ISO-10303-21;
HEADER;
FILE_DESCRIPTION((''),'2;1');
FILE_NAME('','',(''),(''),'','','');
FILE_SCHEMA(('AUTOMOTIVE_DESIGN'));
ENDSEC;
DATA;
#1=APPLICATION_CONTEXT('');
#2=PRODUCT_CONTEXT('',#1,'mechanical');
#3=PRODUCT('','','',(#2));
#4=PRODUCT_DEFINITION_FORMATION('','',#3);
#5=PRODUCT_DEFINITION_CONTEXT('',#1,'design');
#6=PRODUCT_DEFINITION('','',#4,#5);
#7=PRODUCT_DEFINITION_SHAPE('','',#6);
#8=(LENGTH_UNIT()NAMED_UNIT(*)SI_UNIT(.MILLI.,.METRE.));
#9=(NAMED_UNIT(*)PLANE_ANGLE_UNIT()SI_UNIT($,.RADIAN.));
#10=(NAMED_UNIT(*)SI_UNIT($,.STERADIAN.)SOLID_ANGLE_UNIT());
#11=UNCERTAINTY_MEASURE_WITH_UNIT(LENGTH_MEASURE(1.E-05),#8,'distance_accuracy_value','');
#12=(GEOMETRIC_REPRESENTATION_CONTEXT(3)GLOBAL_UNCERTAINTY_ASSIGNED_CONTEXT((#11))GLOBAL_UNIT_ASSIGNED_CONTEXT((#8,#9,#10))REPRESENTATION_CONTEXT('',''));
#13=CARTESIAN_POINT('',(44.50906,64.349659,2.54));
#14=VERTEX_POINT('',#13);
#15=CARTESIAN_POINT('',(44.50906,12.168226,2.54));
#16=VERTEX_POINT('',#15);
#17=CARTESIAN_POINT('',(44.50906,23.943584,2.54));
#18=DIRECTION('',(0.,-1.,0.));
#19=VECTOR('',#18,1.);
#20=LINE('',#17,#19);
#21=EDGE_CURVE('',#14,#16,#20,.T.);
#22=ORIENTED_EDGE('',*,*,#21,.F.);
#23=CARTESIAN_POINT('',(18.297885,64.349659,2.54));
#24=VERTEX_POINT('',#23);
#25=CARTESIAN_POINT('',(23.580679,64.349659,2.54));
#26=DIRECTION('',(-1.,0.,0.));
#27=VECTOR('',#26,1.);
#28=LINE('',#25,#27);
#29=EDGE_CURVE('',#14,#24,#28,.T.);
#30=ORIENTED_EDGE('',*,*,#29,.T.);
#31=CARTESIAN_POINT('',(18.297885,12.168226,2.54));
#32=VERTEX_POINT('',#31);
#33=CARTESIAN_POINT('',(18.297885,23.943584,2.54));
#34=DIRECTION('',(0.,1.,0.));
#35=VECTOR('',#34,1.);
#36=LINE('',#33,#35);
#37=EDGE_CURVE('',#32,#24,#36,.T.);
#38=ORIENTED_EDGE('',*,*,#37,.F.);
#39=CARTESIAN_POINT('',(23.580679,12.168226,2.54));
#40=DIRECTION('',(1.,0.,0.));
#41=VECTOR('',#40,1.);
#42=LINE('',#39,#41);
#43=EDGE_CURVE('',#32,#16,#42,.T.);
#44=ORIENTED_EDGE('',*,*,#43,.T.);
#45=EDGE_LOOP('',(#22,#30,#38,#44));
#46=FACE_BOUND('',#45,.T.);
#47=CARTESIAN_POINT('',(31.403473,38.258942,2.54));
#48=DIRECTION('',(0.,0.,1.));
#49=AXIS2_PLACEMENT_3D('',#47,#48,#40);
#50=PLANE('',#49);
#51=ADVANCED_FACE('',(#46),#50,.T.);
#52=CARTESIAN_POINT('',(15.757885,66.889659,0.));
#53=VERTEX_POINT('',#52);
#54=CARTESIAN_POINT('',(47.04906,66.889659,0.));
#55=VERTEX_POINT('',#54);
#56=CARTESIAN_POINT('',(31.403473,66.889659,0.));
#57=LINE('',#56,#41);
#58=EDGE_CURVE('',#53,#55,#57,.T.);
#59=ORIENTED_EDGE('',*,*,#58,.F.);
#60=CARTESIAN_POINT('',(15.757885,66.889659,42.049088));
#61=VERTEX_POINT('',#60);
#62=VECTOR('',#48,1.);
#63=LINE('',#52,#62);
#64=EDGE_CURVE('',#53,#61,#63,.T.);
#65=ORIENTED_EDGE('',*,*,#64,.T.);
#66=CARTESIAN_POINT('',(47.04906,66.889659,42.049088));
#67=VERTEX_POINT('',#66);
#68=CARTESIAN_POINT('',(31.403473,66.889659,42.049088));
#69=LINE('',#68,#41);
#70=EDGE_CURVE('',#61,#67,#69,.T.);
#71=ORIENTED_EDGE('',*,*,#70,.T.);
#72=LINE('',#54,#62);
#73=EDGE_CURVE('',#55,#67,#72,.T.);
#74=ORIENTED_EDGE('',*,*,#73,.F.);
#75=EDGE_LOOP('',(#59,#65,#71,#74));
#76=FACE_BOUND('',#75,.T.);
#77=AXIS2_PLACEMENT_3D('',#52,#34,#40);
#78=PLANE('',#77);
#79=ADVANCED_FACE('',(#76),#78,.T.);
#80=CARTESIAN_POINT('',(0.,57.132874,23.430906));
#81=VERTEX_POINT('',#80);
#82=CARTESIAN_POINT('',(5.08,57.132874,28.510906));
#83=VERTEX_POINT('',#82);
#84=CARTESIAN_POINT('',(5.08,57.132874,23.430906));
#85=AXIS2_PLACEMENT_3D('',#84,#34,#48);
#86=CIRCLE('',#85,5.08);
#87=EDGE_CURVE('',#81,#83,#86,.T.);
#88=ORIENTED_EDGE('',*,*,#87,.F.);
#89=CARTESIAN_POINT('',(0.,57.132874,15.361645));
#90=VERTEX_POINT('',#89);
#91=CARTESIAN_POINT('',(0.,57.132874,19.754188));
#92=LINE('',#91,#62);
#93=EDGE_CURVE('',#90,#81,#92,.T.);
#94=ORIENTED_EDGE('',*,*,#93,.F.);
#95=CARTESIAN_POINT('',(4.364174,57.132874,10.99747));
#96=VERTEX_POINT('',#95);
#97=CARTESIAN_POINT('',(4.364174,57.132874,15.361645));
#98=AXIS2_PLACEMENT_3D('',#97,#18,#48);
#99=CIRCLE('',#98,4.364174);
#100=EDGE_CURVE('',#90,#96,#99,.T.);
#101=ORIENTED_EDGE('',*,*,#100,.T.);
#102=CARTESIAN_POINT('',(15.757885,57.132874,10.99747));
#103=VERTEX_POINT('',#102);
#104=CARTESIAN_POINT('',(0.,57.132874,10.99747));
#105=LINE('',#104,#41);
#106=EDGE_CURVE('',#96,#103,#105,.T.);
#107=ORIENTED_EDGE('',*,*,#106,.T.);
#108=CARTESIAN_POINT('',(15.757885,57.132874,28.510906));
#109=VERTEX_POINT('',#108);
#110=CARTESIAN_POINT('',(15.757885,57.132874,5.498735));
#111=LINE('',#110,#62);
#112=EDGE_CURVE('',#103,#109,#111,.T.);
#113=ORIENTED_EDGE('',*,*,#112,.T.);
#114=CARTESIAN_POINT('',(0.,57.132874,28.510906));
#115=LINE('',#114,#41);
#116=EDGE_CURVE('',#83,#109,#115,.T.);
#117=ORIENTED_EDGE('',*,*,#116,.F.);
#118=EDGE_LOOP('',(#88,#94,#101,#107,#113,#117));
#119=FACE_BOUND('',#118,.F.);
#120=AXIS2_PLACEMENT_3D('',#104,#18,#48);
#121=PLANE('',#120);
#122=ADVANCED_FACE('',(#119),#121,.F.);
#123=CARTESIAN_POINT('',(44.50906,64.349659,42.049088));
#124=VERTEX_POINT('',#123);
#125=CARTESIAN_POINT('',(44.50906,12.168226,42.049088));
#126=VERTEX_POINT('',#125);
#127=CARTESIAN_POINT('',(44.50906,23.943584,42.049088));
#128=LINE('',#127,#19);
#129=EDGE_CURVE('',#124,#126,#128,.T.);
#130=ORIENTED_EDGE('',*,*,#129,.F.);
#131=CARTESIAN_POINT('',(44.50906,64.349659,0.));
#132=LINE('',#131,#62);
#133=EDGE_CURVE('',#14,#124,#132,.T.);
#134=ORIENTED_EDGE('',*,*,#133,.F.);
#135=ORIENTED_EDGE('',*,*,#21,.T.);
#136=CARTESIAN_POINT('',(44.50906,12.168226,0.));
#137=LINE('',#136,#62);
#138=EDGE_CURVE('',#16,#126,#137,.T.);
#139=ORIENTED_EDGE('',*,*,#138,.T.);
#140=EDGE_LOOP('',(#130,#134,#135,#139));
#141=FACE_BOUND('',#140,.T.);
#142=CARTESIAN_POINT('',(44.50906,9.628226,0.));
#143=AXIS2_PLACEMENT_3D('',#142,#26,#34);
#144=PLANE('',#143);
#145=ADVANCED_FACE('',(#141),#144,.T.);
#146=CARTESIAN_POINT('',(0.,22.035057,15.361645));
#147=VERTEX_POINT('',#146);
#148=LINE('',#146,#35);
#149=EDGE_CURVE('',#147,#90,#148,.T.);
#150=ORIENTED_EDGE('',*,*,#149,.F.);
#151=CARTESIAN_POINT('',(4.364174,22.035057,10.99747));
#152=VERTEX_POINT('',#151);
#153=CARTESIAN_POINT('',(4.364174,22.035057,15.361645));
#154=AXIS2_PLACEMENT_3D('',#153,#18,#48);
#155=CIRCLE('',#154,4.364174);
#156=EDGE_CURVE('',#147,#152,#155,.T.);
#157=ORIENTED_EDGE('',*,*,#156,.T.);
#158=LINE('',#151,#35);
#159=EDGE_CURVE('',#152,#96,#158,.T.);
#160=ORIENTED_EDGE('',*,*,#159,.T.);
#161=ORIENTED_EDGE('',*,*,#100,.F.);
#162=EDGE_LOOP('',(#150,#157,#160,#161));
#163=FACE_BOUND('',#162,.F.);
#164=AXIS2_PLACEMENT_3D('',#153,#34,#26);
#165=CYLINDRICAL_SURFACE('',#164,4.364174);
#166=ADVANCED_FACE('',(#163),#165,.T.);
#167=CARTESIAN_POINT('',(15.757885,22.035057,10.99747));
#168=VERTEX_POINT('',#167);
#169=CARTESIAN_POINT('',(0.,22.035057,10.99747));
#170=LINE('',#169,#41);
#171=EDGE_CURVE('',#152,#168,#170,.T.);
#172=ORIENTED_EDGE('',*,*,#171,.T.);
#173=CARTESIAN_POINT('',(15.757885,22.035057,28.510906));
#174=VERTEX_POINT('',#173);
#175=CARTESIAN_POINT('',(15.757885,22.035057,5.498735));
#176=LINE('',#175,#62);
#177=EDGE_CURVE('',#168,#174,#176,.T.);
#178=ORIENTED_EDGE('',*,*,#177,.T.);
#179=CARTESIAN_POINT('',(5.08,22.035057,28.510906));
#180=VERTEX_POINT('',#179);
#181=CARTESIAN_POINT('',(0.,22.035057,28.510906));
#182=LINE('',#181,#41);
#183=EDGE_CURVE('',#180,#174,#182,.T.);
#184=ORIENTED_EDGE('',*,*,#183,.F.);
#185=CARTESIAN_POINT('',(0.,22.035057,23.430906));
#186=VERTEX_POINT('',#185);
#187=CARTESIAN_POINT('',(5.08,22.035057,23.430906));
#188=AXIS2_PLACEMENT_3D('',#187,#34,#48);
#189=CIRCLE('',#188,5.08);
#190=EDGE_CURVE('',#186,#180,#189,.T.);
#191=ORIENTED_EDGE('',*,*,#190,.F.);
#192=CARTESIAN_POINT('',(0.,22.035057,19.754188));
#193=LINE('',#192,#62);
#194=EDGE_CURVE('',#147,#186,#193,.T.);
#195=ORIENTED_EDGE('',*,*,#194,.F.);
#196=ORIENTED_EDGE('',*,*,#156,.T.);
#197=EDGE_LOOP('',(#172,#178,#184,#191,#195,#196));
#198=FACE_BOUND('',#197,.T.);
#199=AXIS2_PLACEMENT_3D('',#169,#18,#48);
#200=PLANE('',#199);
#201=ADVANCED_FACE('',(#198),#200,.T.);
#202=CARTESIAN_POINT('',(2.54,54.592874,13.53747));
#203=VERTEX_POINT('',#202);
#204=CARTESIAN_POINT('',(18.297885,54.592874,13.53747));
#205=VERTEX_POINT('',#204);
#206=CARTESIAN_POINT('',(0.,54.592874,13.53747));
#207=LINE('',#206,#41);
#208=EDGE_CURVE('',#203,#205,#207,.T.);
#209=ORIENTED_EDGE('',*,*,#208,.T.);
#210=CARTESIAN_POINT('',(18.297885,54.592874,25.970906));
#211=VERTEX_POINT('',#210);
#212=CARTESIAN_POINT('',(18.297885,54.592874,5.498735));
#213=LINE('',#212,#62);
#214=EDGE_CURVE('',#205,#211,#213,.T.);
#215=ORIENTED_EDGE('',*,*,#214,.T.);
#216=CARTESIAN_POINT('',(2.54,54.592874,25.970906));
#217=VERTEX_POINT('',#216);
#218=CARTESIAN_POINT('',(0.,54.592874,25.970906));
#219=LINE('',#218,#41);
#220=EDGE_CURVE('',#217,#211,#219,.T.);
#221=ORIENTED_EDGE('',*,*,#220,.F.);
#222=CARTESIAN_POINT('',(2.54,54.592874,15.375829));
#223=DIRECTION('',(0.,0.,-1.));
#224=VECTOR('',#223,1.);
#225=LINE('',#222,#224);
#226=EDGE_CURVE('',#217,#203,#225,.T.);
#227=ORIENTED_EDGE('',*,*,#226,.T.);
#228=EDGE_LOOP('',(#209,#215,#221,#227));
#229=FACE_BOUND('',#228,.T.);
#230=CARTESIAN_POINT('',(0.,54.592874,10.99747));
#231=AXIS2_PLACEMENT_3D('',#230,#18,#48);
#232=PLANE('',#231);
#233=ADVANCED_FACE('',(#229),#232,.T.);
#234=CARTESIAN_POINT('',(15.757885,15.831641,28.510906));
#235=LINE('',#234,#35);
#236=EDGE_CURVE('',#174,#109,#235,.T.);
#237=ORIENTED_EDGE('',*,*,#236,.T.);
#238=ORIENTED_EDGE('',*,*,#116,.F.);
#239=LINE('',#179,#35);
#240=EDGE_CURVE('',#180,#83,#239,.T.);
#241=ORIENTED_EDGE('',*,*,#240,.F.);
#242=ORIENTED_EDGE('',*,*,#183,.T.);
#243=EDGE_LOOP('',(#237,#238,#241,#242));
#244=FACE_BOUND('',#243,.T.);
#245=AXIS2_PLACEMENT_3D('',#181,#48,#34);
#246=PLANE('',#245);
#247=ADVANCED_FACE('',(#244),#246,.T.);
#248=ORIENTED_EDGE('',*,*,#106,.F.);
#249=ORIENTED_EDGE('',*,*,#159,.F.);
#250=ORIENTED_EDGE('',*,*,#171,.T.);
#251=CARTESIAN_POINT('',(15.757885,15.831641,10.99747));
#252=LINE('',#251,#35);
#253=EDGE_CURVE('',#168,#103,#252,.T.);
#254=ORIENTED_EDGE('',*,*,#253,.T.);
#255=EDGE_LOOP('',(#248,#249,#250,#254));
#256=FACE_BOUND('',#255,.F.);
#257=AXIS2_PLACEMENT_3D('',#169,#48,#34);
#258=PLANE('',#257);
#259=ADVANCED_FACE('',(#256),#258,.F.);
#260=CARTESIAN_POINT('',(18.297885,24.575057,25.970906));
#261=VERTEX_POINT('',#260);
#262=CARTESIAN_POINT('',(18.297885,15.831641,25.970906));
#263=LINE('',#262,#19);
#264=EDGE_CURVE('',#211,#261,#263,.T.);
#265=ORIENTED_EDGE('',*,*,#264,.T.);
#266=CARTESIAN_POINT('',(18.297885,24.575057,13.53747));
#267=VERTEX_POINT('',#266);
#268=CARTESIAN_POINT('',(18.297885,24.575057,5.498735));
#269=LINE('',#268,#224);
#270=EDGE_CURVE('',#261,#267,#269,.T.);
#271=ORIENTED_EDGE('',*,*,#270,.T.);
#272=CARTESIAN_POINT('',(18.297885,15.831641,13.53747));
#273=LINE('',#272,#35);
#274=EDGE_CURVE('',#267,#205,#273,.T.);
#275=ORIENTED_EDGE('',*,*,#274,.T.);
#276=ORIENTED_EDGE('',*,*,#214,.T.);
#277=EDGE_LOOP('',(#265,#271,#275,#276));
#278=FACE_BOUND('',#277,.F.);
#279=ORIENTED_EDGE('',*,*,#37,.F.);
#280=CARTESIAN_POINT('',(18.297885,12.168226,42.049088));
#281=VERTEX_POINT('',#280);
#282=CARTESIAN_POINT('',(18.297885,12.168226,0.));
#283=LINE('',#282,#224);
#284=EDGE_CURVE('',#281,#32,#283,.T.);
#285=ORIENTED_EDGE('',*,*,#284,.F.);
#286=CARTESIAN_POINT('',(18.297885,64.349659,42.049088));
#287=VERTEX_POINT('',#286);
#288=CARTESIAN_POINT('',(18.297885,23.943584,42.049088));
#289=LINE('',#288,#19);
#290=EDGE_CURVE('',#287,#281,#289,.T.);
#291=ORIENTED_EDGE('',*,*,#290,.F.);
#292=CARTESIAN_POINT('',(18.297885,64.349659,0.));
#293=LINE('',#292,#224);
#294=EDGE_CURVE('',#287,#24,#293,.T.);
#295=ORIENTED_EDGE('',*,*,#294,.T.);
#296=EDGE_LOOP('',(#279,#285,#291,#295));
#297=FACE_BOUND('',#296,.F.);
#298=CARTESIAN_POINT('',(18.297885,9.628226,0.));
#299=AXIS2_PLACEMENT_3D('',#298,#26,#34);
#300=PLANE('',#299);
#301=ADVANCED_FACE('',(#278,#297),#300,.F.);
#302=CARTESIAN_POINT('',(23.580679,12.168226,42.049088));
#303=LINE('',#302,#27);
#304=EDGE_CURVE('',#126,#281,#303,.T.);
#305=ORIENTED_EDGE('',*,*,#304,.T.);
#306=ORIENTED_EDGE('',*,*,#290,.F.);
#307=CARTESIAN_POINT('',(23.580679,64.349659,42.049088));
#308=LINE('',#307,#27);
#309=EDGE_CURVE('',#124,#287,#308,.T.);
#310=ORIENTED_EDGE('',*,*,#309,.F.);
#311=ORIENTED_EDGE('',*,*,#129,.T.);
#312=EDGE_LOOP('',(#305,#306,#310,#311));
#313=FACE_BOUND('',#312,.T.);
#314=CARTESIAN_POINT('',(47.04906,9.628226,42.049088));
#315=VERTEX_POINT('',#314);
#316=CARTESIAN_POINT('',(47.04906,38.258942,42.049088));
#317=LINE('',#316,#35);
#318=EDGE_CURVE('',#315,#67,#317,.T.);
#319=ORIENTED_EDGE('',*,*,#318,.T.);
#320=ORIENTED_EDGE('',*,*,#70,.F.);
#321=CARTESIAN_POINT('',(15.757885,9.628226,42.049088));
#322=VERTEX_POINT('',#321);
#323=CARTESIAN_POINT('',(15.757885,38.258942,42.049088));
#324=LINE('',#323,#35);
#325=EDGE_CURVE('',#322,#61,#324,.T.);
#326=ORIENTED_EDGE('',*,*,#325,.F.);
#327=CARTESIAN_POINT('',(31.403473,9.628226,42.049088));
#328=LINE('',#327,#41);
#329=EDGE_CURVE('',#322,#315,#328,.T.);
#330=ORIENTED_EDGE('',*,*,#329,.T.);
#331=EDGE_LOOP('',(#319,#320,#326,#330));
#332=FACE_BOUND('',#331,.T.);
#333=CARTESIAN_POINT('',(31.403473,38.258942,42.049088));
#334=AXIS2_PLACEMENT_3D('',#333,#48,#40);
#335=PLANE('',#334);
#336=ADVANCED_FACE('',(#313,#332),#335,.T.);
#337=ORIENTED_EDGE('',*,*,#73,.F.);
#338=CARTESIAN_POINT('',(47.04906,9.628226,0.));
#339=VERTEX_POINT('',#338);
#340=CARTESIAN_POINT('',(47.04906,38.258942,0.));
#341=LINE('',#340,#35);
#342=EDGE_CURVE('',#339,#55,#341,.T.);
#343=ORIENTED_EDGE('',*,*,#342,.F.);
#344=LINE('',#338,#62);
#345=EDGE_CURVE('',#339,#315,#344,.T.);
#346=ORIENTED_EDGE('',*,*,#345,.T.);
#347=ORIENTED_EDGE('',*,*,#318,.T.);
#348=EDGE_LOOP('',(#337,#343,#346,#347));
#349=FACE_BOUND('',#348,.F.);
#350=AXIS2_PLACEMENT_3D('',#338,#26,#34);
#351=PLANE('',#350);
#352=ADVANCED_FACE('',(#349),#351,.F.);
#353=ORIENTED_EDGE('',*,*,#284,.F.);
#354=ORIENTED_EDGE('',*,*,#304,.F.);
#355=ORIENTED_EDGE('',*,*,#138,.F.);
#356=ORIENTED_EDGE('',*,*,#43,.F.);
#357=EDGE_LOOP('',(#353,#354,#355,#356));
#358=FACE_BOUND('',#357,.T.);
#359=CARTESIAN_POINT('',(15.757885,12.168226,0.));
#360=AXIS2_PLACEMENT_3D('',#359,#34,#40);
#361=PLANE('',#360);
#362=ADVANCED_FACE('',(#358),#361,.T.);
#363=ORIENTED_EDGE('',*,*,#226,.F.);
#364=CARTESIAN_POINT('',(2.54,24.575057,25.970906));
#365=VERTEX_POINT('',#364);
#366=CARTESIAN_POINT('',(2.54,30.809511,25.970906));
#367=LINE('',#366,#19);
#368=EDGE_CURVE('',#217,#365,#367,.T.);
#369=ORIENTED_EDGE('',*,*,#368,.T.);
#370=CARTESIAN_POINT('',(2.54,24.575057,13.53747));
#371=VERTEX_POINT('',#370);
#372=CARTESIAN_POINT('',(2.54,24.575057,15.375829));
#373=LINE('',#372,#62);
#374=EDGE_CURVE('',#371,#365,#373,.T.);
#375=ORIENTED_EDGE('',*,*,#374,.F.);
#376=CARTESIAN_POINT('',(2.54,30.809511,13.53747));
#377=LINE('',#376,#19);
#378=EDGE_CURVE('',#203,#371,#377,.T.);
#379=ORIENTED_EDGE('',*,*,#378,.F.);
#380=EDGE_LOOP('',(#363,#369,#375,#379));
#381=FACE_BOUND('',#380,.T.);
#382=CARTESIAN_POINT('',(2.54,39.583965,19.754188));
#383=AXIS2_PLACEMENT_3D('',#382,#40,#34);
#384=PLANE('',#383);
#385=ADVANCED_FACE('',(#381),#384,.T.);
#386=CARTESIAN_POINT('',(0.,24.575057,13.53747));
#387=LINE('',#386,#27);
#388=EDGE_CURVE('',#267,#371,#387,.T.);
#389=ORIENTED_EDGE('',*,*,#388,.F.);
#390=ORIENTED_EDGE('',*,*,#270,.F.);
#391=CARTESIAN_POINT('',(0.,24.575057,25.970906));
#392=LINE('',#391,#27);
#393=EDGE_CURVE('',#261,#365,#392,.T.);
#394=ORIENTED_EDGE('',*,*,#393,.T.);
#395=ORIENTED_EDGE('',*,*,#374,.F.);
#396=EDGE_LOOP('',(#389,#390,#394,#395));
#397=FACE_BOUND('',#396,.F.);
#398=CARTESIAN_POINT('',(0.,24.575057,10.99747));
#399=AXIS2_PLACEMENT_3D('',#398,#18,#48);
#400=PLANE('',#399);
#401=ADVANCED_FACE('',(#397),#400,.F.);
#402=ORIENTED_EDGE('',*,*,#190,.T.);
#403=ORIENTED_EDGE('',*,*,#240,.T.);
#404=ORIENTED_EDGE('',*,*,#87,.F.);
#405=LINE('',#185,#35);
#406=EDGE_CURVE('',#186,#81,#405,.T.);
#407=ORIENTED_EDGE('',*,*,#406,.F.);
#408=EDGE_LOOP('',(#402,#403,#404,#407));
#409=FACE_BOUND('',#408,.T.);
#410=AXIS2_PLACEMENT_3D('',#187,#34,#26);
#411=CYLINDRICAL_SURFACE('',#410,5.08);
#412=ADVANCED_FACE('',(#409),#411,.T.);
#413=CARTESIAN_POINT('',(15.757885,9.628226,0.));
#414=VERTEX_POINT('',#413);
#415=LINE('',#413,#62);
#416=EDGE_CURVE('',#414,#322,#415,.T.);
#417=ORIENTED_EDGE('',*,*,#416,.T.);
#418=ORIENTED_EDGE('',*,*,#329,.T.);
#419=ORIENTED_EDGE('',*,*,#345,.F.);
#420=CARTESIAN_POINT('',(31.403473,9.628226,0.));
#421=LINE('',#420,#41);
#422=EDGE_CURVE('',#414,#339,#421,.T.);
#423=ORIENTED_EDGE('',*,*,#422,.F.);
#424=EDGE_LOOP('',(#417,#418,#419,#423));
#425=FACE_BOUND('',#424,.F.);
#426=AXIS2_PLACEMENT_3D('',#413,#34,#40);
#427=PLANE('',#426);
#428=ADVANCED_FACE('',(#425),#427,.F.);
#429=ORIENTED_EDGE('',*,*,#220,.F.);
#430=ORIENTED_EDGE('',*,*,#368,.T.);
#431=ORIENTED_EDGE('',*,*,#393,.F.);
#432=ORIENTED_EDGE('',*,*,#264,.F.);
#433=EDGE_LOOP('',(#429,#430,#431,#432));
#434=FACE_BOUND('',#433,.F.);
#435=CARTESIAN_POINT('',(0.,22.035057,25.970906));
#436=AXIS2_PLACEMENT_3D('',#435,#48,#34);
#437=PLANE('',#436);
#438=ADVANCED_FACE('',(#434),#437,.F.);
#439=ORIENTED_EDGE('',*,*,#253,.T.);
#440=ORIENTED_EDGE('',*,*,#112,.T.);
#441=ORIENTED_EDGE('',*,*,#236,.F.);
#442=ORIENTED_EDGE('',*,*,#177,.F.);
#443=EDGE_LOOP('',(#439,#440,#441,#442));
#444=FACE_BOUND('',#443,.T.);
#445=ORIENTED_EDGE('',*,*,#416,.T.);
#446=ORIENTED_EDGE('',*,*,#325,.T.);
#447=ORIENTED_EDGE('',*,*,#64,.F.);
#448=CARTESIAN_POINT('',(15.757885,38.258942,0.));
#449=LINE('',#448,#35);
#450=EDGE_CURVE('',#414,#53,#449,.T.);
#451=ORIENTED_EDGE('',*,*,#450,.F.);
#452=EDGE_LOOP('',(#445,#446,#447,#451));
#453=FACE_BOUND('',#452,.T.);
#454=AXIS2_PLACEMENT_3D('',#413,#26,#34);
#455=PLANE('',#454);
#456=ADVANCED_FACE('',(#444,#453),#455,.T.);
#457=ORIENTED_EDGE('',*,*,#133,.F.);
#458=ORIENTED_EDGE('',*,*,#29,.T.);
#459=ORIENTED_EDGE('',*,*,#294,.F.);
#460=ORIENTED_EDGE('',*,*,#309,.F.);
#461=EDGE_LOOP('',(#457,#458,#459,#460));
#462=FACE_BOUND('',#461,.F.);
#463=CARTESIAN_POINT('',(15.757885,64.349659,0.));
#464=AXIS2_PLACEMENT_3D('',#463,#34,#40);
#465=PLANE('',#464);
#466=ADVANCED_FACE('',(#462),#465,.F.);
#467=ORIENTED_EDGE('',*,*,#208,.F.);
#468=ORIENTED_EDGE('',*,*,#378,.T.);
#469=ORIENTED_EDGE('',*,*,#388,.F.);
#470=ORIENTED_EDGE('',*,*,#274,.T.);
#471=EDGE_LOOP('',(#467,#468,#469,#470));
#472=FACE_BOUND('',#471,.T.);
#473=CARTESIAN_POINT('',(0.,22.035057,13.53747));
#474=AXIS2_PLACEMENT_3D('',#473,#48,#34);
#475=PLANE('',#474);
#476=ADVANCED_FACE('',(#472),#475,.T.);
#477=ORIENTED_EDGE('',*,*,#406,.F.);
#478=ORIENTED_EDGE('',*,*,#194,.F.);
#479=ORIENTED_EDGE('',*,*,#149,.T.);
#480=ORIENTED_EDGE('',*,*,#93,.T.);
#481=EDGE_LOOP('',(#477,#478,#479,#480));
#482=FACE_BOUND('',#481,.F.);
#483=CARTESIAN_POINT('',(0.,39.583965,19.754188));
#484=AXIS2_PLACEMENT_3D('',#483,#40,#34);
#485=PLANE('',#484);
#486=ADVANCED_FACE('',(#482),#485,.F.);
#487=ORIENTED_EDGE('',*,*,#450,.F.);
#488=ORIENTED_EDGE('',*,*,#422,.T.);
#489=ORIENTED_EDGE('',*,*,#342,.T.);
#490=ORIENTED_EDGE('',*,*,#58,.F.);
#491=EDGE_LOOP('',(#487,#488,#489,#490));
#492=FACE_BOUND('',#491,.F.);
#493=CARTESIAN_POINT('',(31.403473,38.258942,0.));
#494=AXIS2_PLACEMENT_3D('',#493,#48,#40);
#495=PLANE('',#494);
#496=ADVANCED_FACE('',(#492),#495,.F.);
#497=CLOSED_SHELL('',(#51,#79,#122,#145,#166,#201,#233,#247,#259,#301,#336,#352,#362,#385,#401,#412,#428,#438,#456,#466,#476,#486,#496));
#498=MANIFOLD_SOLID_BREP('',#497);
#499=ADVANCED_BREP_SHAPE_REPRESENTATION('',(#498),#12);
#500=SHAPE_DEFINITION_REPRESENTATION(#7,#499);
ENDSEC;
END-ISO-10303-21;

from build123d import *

# Parameters (mm, degrees)
F0_W     = 31.2911756337
F0_H     = 57.261432521
F1_DEPTH = 42.049087584
F2_W     = 35.097816959
F2_H     = 17.513435334
F3_DEPTH = 25.4
F4_T     = -2.54
F5_R     = 4.3641742047
F6_R     = 5.08


with BuildPart() as f1:
    # F0 (on Top) → F1 (new body)
    with BuildSketch(Plane.XY):
        with Locations((31.4034726471, 38.2589423098)):
            Rectangle(F0_W, F0_H)
    extrude(amount=F1_DEPTH)

    # F2 (on Right) → F3 (join)
    with BuildSketch(Plane.YZ):
        with Locations((39.5839652047, 19.7541881353)):
            Rectangle(F2_W, F2_H)
    extrude(amount=F3_DEPTH)

    # F4
    f4_openings = [f1.faces().sort_by_distance(p)[0] for p in [
        (31.403473, 38.258942, 42.049088),
    ]]
    offset(amount=F4_T, openings=f4_openings, kind=Kind.INTERSECTION)

    # F5
    f5_edges = [f1.edges().sort_by_distance(p)[0] for p in [
        (0, 39.583965, 10.99747),
    ]]
    fillet(f5_edges, radius=F5_R)

    # F6
    f6_edges = [f1.edges().sort_by_distance(p)[0] for p in [
        (0, 39.583965, 28.510906),
    ]]
    fillet(f6_edges, radius=F6_R)


solid = f1.part
